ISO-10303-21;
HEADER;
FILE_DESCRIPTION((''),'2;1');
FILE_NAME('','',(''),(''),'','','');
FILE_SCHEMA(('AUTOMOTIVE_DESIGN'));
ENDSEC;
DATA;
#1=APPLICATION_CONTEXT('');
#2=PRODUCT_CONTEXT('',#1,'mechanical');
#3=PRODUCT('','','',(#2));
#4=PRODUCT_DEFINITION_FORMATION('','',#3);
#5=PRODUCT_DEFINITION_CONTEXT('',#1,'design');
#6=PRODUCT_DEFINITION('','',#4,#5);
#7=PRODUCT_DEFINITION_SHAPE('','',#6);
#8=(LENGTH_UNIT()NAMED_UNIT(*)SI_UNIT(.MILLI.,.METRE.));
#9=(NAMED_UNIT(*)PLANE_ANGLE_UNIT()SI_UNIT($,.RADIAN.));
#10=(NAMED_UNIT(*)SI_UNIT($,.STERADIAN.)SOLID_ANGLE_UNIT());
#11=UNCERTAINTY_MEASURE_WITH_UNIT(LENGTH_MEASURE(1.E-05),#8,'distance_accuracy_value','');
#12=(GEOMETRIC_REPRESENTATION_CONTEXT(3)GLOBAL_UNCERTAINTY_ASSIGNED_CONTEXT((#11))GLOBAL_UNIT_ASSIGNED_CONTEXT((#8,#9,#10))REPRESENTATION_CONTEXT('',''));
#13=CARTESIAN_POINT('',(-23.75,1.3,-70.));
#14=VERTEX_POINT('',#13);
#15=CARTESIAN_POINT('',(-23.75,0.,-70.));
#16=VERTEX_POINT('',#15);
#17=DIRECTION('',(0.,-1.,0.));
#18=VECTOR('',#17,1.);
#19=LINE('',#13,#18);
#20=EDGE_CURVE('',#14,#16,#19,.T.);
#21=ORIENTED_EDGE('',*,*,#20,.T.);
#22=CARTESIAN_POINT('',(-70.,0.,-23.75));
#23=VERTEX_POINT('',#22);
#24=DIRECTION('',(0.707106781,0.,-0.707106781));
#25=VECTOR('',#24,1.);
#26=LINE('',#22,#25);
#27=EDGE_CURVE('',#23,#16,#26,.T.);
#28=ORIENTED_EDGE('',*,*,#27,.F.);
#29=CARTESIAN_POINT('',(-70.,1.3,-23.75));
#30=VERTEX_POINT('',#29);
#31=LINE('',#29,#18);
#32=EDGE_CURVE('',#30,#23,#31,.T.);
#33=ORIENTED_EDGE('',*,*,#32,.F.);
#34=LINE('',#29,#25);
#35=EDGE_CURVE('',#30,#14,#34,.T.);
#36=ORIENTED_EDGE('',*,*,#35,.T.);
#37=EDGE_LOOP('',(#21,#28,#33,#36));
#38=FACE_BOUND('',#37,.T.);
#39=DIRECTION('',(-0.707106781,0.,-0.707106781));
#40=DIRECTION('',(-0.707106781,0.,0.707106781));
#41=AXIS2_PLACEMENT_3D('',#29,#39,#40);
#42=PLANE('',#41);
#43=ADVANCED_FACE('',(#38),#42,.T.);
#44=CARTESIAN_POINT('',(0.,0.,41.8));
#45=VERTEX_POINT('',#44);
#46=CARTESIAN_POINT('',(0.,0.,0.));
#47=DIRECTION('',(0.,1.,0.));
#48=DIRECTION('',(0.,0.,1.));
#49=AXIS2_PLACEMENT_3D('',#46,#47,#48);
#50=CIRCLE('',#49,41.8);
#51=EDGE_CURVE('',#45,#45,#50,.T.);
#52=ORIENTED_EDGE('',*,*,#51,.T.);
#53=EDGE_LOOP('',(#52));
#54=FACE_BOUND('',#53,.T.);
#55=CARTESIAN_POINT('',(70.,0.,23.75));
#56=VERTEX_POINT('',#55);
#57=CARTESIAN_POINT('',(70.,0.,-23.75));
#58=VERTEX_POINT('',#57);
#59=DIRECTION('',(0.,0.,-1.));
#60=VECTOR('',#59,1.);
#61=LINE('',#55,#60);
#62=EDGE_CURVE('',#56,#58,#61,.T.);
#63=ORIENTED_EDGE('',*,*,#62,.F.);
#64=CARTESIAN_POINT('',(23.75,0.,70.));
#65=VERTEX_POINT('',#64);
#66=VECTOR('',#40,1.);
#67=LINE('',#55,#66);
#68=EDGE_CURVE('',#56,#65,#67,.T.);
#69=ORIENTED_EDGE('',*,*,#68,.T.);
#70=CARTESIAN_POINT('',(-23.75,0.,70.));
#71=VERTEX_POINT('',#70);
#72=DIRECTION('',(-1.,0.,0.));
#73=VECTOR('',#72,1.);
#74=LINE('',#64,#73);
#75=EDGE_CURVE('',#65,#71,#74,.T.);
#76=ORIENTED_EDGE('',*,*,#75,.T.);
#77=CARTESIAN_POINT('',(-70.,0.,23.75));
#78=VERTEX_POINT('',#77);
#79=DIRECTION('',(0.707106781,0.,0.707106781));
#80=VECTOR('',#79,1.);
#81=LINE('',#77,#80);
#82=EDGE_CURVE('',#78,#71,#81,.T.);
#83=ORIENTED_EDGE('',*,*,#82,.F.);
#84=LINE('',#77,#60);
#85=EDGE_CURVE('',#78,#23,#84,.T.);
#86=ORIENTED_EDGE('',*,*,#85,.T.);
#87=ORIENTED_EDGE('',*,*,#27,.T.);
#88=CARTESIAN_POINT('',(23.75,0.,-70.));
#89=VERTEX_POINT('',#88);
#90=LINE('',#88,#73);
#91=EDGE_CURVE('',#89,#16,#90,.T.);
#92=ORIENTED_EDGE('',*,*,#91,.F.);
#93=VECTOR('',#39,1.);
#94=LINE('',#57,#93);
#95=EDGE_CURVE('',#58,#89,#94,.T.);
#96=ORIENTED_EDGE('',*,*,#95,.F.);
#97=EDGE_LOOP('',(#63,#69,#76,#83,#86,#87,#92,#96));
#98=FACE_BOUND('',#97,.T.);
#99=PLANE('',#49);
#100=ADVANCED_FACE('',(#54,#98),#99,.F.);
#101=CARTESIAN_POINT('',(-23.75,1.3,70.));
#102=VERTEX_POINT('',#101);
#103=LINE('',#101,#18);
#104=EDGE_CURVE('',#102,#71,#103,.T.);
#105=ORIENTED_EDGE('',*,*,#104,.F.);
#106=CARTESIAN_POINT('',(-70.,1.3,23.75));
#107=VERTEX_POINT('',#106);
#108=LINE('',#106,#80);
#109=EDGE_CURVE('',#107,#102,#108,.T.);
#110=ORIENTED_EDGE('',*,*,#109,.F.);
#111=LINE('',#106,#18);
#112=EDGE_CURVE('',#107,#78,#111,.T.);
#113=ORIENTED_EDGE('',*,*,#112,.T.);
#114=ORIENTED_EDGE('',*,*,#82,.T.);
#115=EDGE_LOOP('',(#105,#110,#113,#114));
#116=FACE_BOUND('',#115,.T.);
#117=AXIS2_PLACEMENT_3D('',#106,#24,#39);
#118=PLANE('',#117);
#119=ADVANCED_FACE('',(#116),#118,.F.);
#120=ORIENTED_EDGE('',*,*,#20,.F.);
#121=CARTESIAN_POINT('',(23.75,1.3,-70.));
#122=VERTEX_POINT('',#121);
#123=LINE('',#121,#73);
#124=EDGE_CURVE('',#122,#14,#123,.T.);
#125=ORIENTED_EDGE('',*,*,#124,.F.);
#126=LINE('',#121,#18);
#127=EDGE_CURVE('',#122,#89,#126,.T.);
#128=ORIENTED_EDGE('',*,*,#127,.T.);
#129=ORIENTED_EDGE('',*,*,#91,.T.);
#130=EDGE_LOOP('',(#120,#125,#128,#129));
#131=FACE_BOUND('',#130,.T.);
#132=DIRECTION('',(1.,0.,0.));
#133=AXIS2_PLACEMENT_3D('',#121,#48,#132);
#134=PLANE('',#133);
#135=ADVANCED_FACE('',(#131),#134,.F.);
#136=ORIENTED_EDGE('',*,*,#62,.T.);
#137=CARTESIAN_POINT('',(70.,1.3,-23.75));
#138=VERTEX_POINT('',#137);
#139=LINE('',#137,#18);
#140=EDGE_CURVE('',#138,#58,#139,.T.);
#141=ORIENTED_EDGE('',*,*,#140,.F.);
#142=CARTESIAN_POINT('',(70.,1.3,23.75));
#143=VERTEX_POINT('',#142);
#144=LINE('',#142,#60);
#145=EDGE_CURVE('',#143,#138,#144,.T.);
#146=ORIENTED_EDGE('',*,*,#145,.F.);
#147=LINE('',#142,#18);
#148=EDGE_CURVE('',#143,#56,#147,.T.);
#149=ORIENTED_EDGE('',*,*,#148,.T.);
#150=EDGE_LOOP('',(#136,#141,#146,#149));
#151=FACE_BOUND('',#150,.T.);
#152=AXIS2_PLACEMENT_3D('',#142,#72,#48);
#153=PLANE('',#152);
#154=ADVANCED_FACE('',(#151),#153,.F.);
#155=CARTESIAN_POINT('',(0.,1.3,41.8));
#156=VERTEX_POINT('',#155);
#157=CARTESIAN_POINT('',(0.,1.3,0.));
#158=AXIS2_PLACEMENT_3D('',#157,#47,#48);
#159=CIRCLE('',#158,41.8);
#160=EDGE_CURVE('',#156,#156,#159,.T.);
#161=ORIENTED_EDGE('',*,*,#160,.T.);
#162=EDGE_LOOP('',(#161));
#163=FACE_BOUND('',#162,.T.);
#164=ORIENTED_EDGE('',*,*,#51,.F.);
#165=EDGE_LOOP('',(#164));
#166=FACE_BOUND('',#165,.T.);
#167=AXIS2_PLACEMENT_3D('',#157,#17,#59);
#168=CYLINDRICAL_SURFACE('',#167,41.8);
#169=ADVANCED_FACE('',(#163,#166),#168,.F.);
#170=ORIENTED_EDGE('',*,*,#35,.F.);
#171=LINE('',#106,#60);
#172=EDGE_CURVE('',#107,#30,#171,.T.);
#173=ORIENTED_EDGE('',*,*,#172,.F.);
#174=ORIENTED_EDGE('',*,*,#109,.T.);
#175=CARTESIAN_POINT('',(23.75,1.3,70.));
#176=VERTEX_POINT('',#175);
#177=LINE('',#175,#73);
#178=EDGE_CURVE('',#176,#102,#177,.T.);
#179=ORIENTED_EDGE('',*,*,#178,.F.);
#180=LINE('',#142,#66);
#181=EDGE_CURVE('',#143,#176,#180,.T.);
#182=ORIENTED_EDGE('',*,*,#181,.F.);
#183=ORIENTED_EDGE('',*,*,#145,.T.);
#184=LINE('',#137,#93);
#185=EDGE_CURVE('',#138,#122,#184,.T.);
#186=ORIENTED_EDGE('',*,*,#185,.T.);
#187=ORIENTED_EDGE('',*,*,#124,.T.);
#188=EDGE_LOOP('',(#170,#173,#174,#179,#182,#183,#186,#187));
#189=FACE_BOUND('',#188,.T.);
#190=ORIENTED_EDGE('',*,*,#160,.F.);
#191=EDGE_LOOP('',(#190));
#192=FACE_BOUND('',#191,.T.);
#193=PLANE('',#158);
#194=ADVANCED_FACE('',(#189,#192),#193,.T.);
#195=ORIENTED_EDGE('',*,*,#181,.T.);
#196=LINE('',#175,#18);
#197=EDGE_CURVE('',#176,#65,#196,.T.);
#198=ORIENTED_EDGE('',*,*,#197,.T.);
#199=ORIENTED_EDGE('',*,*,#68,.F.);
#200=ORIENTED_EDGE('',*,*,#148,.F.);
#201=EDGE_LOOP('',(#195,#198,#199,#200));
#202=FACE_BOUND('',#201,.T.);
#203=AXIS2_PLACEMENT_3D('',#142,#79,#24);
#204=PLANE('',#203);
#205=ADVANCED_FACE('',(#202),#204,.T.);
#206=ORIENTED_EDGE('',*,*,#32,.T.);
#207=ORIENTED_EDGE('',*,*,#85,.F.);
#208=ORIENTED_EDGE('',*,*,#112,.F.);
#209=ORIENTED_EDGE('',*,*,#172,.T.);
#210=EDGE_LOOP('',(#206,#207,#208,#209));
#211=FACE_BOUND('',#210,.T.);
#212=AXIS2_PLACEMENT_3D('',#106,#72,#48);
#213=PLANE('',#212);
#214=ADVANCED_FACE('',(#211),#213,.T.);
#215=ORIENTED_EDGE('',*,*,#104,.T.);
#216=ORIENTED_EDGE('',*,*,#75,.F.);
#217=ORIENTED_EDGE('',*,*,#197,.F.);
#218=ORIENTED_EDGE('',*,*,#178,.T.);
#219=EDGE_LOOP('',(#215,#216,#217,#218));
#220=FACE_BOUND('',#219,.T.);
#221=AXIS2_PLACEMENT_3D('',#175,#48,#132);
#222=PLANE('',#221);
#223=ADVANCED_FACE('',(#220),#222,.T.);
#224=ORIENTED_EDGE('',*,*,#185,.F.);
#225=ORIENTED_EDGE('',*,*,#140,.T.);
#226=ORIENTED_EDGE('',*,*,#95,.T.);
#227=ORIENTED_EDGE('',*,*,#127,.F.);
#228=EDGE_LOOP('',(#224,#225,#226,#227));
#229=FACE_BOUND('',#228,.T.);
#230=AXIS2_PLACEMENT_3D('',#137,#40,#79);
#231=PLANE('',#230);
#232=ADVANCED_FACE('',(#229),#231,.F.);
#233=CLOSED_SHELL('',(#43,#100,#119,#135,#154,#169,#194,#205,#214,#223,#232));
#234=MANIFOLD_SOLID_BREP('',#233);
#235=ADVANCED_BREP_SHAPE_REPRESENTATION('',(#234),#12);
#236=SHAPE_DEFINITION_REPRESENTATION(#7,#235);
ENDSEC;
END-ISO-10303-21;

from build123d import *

# Parameters (mm, degrees)
SKETCH1_R           = 41.8
BOSS_EXTRUDE2_DEPTH = 1.3


with BuildPart() as part:
    # Sketch1 → Boss-Extrude2 (new body)
    with BuildSketch(Plane(origin=(0, 0, 0), x_dir=(1, 0, 0), z_dir=(0, 1, 0))):
        Polygon((23.75, 70), (-23.75, 70), (-70, 23.75), (-70, -23.75), (-23.75, -70), (23.75, -70), (70, -23.75), (70, 23.75), align=None)
        Circle(SKETCH1_R, mode=Mode.SUBTRACT)
    extrude(amount=BOSS_EXTRUDE2_DEPTH)


solid = part.part
